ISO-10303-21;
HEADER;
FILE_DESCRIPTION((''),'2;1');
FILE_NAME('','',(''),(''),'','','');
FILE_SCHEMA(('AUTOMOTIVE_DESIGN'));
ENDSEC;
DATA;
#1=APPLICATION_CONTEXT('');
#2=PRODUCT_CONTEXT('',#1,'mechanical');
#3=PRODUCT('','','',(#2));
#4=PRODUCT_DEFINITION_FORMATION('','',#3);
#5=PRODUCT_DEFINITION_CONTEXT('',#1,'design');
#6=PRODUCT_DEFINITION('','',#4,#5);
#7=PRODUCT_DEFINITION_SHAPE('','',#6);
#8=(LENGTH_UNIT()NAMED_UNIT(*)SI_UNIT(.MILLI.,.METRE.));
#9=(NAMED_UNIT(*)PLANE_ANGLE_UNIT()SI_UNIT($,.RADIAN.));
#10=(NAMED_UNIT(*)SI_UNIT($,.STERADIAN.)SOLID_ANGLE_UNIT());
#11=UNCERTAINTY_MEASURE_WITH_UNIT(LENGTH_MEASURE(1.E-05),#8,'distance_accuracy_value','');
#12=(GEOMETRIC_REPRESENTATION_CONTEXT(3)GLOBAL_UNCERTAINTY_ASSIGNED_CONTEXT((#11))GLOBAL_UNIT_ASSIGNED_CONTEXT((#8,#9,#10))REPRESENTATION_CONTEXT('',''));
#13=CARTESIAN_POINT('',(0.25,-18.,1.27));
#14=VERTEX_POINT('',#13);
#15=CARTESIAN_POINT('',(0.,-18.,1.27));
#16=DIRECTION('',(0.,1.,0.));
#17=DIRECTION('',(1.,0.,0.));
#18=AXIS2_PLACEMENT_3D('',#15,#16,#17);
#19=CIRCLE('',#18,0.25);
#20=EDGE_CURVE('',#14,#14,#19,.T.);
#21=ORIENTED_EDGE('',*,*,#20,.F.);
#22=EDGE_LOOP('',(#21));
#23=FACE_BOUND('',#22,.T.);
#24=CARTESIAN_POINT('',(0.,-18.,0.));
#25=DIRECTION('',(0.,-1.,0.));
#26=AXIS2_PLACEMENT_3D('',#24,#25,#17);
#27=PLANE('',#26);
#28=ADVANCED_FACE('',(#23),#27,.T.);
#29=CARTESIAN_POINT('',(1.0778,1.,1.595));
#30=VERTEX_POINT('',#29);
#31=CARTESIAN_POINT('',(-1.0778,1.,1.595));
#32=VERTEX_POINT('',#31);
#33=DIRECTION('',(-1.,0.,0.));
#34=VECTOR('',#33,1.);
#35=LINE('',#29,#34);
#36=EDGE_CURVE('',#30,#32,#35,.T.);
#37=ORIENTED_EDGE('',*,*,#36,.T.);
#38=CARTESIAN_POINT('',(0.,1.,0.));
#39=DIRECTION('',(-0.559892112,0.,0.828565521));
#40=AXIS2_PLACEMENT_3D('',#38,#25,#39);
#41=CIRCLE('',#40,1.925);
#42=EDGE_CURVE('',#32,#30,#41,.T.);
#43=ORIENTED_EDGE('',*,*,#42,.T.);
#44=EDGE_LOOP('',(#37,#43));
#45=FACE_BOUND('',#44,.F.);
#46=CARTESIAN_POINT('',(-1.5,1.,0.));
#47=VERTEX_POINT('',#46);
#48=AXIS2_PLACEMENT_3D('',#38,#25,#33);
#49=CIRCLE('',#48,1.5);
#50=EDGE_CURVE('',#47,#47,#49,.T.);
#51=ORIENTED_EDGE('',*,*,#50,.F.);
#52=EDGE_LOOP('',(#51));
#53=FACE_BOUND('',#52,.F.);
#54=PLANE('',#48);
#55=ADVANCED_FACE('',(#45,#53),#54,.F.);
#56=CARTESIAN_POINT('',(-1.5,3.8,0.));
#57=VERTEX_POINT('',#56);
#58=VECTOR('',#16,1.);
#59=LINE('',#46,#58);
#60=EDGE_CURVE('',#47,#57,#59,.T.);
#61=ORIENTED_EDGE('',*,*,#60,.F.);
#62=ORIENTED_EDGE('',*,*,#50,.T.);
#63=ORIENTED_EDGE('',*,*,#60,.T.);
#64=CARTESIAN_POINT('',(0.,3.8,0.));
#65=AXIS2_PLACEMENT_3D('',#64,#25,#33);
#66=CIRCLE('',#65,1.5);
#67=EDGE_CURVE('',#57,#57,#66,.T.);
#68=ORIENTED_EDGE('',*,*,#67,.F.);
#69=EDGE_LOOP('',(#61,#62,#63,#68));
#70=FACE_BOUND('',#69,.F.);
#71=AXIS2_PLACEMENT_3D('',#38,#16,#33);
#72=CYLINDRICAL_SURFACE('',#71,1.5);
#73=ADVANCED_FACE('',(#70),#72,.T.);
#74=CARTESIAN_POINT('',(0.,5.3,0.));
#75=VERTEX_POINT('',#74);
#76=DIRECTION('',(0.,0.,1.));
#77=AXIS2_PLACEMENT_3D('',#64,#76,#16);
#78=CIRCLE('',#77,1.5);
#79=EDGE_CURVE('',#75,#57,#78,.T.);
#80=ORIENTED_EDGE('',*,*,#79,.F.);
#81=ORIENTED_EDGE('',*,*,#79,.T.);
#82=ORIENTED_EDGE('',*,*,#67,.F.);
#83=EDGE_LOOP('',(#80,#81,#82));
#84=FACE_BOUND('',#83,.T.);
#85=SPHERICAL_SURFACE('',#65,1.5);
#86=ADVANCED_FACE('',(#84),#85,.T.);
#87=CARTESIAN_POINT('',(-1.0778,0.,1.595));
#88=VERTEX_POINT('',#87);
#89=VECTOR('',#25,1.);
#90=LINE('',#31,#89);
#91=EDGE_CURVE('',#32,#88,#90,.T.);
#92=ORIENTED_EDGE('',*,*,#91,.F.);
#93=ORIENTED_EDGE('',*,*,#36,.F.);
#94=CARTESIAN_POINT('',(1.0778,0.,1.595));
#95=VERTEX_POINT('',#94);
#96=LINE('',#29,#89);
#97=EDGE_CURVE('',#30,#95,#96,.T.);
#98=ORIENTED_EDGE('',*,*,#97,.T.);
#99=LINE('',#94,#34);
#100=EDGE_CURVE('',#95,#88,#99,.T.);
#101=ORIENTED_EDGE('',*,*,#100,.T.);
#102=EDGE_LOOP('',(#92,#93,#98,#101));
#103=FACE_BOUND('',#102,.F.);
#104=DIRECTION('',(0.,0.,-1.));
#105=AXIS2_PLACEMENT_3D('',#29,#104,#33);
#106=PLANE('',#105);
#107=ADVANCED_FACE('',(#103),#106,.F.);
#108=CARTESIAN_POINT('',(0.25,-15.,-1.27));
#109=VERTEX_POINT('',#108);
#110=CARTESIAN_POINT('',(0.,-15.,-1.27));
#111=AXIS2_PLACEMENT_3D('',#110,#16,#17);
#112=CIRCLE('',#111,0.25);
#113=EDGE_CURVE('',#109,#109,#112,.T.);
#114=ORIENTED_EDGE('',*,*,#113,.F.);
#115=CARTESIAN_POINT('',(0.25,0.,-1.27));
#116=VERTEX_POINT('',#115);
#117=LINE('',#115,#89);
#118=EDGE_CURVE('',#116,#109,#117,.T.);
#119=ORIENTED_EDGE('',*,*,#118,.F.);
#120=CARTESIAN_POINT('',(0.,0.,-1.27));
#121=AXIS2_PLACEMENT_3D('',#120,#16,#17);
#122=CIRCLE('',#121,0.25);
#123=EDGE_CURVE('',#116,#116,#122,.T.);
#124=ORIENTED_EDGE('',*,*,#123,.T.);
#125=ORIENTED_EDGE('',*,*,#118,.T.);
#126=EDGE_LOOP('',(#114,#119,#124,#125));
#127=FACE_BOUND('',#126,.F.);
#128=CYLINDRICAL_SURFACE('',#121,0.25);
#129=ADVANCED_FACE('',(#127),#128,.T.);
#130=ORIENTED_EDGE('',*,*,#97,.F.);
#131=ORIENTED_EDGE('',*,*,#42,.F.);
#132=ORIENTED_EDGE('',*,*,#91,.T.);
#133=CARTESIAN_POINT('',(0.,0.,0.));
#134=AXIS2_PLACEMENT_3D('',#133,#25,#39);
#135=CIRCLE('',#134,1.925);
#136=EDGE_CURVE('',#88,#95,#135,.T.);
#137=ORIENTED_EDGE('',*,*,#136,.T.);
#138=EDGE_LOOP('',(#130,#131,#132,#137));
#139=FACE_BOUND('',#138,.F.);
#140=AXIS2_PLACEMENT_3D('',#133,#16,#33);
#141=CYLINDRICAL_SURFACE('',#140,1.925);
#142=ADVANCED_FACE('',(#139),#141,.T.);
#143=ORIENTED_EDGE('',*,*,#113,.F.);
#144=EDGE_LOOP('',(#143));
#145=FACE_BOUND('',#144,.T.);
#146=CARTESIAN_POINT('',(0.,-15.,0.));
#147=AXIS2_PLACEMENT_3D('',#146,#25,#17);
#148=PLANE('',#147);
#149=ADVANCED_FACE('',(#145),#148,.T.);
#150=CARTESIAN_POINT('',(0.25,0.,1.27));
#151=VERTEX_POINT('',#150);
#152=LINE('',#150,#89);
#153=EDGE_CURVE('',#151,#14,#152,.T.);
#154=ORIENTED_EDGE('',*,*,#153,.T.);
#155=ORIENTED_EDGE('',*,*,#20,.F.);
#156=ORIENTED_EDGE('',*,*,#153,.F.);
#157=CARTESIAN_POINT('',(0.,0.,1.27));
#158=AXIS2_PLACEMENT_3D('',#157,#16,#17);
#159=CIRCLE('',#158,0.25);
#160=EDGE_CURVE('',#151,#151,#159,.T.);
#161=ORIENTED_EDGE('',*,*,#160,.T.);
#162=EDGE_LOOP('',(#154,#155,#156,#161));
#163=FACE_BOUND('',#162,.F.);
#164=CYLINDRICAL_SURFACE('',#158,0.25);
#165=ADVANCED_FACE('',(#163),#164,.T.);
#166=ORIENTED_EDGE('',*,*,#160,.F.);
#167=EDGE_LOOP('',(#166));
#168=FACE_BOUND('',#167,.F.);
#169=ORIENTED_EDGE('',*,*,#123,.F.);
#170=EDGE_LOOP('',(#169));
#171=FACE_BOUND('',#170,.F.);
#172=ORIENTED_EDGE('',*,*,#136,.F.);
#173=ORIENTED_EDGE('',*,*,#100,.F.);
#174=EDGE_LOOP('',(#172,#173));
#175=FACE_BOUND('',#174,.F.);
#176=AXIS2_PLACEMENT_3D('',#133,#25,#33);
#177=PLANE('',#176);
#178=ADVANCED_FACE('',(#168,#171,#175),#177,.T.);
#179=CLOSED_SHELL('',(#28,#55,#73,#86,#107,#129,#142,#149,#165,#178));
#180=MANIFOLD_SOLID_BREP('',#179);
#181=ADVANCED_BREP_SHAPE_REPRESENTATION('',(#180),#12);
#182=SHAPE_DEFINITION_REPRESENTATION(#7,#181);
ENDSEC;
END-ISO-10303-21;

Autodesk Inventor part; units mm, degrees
ref_plane "YZ Plane" through (0, 0, 0) normal (1, 0, 0) x (0, 1, 0)
ref_plane "XZ Plane" through (0, 0, 0) normal (0, 1, 0) x (-1, 0, 0)
ref_plane "XY Plane" through (0, 0, 0) normal (0, 0, 1) x (1, 0, 0)
sketch "Sketch1" plane through (0, 0, 0) normal (0, 0, 1) x (1, 0, 0)
  line L0 (0, 0) -> (1.925, 0)
  line L1 (1.925, 0) -> (1.925, 1)
  line L2 (1.925, 1) -> (1.5, 1)
  line L3 (1.5, 1) -> (1.5, 3.8)
  line L4 (0, 5.3) -> (0, 5.3)
  line L5 (0, 0) -> (-1.925, 0)
  line L6 (-1.925, 0) -> (-1.925, 1)
  line L7 (-1.925, 1) -> (-1.5, 1)
  line L8 (-1.5, 1) -> (-1.5, 3.8)
  line L9 (0, 5.3) -> (0, 5.3)
  arc A0 (0, 5.3) -> (-1.5, 3.8) centre (0, 3.8) ccw
  arc A1 (1.5, 3.8) -> (0, 5.3) centre (0, 3.8) ccw
  line L10 (0, 5.3) -> (0, 0)
  point P0 (1.5, 5.3)
  dimension "d0" = 1.925
  dimension "d1" = 1
  dimension "d2" = 0.425
  dimension "d3" = 4.3
  dimension "d4" = 1.5
  dimension "d5" = 1.925
  dimension "d6" = 0.425
  dimension "d7" = 1.5
revolve "Revolution1" add sketch "Sketch1" angle 360 about axis through (0, 5.3, 0) along (0, -1, 0) contours L5 L6 L7 L8 A0 L10
sketch "Sketch2" plane through (0, 0, 0) normal (0, -1, 0) x (1, 0, 0)
  circle A0 centre (0, 1.27) radius 0.25
  circle A1 centre (0, -1.27) radius 0.25
  line L0 (0, -1.02) -> (0, 1.02)
  point P0 (0, 0)
  point P1 (0, 0)
  dimension "d10" = 0.5
  dimension "d9" = 2.04
extrude "Extrusion1" add sketch "Sketch2" along normal blind 18 contours A0
extrude "Extrusion2" add sketch "Sketch2" along normal blind 15 contours A1
sketch "Sketch3" plane through (0, 1, 0) normal (0, 1, 0) x (1, 0, 0)
  circle A0 centre (0, 0) radius 1.5 projected
  circle A1 centre (0, -1.27) radius 0.25 projected
  circle A2 centre (0, 0) radius 1.925 projected
  circle A3 centre (0, 0) radius 1.5 projected
  circle A4 centre (0, 0) radius 1.925 projected
  arc A5 (-1.0778, -1.595) -> (1.0778, -1.595) centre (0, 0) ccw
  line L0 (1.0778, -1.595) -> (-1.0778, -1.595)
  line L1 (0, -1.52) -> (0, -1.595)
  point P0 (0, 0)
  dimension "d17" = 0.075
extrude "Extrusion3" cut sketch "Sketch3" against normal up to surface (1 mm away) contours L0 A2 picked at (0.5832, -1.6646)
properties part number "LED" material "Polycarbonate, Clear"
